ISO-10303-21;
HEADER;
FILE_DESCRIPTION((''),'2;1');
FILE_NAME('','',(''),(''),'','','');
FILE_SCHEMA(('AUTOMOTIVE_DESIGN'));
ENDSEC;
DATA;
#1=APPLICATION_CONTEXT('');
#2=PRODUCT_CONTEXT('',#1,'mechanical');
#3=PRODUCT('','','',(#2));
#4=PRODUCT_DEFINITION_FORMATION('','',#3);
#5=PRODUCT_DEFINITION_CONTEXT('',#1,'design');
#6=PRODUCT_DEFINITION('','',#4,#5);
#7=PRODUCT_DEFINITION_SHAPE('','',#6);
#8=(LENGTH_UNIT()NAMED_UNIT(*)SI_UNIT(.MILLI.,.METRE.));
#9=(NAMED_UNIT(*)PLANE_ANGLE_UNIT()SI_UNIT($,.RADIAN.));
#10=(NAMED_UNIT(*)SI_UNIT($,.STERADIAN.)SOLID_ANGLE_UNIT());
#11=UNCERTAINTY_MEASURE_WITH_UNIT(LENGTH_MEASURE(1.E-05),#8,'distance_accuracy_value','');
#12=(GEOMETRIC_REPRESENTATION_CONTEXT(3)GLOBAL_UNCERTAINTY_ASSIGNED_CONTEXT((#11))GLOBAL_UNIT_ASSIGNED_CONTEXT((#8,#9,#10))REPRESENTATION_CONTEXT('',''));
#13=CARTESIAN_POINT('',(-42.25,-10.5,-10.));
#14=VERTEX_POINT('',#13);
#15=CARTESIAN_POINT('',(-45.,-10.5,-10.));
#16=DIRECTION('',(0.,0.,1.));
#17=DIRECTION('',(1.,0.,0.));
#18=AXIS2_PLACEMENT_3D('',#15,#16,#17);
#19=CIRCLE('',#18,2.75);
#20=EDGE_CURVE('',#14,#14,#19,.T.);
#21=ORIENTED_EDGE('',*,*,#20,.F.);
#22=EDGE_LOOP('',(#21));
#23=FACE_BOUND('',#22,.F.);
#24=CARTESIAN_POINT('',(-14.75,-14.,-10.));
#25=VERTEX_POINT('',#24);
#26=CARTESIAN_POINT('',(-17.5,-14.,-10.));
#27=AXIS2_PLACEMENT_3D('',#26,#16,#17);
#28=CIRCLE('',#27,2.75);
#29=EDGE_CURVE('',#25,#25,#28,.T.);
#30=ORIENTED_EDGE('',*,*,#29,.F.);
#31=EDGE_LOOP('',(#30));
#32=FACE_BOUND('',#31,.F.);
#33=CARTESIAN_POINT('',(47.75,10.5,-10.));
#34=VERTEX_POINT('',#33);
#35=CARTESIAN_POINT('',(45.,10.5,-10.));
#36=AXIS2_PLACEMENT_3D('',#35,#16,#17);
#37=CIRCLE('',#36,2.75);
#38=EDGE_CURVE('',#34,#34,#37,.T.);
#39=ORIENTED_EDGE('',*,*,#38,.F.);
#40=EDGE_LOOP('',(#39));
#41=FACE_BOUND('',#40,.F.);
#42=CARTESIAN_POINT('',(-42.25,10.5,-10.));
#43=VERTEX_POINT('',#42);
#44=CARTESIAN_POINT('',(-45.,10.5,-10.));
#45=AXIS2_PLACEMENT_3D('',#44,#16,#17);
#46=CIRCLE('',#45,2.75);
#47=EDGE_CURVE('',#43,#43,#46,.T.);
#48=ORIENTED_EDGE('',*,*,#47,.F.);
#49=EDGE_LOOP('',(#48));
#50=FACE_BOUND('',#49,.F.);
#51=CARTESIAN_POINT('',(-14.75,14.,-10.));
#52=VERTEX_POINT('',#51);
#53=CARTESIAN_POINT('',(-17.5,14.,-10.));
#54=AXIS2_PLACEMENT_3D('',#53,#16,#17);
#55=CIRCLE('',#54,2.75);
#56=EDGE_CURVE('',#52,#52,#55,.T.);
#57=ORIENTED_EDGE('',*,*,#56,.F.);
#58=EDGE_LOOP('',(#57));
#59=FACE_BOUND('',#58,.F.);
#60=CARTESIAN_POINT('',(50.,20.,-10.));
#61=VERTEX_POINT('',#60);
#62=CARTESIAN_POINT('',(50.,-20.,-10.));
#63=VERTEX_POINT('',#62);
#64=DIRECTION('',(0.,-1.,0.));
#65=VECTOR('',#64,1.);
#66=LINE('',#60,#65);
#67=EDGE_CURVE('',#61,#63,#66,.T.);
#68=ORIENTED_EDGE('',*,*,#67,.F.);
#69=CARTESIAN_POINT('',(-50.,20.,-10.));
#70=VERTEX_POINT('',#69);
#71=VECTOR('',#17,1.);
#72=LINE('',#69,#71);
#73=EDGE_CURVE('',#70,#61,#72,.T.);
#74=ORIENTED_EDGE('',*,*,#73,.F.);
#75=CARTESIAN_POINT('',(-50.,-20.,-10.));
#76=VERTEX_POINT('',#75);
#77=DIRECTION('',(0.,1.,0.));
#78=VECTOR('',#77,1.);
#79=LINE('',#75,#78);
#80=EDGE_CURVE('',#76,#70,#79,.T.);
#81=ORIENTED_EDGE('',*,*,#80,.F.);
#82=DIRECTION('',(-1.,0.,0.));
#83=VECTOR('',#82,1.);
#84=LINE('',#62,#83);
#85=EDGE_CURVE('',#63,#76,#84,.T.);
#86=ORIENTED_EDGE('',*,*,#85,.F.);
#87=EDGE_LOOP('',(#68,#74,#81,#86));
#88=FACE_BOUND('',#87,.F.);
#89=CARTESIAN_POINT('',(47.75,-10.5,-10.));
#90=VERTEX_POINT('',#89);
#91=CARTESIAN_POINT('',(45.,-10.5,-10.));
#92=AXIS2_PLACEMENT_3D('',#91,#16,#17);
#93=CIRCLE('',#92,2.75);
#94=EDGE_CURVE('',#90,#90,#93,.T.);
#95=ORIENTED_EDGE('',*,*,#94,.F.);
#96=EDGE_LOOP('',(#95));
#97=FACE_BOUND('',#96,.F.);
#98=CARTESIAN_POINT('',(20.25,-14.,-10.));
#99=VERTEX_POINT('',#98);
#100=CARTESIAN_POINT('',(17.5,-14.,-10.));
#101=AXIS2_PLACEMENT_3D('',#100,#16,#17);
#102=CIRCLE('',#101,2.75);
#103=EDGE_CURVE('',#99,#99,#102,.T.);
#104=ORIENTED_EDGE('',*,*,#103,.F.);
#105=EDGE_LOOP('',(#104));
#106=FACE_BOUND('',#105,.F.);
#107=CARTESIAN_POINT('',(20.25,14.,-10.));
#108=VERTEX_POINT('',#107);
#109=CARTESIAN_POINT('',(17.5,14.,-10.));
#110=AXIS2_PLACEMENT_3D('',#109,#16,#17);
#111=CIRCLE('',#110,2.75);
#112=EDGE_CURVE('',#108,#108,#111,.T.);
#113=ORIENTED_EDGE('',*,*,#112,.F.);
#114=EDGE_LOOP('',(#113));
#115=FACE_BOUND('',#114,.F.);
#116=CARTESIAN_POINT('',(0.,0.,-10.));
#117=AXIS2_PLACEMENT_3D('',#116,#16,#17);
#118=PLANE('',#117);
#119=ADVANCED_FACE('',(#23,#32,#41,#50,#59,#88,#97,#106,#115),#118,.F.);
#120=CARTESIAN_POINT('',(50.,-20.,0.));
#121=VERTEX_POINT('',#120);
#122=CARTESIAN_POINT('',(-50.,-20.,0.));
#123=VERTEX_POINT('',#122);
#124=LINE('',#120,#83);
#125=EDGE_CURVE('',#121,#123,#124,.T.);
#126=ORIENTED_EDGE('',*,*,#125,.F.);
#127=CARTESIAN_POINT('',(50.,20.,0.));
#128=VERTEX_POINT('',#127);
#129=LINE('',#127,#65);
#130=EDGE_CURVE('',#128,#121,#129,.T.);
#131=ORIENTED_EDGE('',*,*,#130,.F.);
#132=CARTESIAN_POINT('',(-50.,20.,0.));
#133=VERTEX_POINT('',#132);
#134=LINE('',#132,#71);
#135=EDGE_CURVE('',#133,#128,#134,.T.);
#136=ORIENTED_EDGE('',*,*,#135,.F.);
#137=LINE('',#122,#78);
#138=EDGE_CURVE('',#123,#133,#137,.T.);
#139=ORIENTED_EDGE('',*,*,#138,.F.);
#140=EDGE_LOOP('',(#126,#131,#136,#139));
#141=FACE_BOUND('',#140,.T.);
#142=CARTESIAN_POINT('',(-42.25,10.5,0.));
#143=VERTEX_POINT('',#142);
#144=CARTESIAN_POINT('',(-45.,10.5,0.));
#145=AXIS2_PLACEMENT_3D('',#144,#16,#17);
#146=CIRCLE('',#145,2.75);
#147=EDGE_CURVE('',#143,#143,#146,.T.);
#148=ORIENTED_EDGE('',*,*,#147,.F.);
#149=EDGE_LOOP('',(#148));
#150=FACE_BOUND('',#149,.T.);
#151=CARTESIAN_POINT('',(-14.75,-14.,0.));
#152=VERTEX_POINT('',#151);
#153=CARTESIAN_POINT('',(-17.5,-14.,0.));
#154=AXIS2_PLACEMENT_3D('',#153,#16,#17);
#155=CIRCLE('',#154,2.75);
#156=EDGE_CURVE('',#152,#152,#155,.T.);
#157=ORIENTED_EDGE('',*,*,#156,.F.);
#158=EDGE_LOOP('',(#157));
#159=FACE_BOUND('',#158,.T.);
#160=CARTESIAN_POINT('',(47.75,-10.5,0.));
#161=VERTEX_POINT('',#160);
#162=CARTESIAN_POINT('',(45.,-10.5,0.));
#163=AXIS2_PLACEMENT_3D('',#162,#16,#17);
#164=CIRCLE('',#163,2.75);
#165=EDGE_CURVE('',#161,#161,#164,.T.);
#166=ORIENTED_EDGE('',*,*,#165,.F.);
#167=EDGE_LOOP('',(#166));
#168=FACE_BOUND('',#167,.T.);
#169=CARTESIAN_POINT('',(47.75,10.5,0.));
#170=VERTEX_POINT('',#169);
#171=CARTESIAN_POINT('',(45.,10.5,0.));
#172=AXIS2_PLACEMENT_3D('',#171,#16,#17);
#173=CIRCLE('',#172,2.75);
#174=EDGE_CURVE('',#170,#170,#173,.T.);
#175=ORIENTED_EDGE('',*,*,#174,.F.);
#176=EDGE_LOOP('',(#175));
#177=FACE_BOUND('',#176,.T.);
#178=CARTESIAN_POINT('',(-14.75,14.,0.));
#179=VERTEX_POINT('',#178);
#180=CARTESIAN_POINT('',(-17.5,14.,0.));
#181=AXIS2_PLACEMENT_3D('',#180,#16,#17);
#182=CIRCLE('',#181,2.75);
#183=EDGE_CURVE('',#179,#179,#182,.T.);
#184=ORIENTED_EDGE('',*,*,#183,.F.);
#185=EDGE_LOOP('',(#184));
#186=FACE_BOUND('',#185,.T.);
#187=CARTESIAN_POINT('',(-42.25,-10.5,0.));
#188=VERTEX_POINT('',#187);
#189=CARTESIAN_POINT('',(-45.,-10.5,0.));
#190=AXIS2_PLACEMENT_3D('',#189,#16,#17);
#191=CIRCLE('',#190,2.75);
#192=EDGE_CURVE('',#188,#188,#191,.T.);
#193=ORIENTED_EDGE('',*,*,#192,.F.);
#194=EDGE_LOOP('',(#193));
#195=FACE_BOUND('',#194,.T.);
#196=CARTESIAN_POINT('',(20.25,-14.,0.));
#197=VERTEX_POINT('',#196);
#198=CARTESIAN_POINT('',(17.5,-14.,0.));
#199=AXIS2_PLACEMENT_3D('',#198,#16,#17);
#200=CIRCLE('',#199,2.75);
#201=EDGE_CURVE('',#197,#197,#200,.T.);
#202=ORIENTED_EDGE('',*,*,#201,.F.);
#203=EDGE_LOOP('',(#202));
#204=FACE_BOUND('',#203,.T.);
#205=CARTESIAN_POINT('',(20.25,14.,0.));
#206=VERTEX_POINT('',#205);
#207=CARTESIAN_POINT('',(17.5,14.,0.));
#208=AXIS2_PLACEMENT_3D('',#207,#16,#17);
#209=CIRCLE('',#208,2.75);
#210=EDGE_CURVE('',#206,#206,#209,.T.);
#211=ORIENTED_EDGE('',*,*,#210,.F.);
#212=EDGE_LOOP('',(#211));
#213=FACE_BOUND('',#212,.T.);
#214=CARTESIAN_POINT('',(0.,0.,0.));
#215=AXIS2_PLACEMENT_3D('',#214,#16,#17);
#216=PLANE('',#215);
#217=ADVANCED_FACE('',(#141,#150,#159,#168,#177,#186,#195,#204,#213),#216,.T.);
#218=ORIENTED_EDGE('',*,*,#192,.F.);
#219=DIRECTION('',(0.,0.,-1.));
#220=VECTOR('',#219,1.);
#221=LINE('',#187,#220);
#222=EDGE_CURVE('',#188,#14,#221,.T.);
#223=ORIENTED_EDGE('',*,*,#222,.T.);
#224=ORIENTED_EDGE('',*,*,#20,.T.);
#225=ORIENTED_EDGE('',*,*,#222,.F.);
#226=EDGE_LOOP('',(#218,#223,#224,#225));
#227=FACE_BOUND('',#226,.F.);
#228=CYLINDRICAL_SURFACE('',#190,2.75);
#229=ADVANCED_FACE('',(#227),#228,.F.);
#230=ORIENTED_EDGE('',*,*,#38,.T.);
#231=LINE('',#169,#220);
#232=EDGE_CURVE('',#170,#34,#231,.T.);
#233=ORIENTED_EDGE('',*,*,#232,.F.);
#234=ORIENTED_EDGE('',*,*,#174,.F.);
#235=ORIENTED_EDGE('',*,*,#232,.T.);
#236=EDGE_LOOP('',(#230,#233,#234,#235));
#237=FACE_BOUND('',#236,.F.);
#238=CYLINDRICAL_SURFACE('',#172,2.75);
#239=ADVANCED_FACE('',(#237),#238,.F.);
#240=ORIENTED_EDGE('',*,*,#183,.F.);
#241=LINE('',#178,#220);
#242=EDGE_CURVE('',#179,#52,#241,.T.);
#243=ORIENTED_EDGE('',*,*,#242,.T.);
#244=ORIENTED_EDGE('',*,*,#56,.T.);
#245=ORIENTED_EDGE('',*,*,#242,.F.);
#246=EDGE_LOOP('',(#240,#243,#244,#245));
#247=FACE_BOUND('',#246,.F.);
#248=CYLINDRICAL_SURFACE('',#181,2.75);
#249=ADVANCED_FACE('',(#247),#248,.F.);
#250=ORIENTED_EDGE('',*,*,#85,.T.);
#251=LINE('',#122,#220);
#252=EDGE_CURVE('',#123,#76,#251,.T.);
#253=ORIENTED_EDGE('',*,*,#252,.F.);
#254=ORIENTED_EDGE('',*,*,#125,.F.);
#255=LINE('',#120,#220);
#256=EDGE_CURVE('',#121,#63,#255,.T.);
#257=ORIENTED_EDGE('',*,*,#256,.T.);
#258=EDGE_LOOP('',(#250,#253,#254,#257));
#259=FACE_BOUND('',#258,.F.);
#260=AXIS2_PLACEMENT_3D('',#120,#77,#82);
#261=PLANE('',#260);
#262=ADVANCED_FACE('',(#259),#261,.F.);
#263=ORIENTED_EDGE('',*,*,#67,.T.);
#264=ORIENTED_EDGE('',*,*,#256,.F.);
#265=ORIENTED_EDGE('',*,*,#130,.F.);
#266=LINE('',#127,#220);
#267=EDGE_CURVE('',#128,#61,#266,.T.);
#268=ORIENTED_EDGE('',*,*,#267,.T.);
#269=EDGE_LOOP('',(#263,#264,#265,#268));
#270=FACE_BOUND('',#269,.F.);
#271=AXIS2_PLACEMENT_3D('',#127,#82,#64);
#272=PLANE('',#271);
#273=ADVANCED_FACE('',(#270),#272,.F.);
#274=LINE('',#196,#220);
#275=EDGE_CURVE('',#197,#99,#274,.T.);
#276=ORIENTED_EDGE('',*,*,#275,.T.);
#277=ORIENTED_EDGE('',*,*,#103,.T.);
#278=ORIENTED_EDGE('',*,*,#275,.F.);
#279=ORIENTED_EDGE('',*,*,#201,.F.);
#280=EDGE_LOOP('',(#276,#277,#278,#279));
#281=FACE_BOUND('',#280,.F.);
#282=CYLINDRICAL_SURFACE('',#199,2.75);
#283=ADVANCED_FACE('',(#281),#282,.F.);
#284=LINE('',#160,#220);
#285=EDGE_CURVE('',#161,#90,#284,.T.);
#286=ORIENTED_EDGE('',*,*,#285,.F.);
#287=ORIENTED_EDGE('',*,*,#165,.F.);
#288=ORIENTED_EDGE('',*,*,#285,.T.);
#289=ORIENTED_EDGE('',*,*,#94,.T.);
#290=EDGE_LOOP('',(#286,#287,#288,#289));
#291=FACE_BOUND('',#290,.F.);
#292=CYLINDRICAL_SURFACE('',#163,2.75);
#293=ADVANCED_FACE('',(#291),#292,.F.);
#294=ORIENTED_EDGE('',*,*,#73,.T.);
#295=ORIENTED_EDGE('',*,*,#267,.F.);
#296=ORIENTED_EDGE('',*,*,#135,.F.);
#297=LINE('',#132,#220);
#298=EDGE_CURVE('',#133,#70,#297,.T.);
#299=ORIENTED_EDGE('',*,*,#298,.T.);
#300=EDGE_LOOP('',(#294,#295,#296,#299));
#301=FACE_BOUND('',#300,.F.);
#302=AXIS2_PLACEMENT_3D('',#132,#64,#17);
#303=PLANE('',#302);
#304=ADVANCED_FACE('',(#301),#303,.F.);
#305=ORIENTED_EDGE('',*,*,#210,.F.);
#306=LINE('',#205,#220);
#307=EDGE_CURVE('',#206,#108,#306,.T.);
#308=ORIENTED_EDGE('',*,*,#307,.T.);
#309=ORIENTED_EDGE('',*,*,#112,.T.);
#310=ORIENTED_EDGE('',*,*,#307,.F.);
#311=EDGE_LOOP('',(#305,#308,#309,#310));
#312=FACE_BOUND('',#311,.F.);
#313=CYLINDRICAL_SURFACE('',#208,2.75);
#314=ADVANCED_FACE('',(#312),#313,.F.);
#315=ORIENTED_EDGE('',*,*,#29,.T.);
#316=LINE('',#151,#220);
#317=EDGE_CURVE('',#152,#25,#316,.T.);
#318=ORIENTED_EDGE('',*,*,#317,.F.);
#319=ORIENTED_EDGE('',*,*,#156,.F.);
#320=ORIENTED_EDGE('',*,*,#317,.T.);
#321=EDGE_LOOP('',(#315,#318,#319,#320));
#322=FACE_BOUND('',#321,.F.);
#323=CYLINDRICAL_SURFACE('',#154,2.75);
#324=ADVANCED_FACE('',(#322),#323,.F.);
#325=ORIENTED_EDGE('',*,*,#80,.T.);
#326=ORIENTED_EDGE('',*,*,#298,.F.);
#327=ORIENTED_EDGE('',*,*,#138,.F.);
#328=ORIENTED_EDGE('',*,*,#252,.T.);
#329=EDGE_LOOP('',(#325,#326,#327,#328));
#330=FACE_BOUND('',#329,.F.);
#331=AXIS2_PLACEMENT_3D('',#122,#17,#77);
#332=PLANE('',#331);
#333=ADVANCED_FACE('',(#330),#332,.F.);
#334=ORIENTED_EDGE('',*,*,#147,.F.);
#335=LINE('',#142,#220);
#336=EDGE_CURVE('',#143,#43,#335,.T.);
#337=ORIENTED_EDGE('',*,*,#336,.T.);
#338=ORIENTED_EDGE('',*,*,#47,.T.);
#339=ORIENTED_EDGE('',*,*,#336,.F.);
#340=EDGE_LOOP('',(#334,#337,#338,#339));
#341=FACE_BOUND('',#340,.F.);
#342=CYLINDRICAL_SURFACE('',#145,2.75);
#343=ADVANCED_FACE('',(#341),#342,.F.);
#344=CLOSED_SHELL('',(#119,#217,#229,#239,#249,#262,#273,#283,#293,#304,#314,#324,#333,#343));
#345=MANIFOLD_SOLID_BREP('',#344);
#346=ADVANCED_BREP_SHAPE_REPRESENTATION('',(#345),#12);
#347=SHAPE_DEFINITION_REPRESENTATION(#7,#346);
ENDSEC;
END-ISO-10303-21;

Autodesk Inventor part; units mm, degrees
ref_plane "YZ Plane" through (0, 0, 0) normal (1, 0, 0) x (0, 1, 0)
ref_plane "XZ Plane" through (0, 0, 0) normal (0, 1, 0) x (-1, 0, 0)
ref_plane "XY Plane" through (0, 0, 0) normal (0, 0, 1) x (1, 0, 0)
sketch "Sketch1" plane through (0, 0, 0) normal (0, 0, 1) x (1, 0, 0)
  line L0 (-50, 20) -> (50, 20)
  line L1 (50, 20) -> (50, -20)
  line L2 (50, -20) -> (-50, -20)
  line L3 (-50, -20) -> (-50, 20)
  circle A0 centre (-45, 10.5) radius 2.75
  circle A1 centre (-45, -10.5) radius 2.75
  circle A2 centre (45, 10.5) radius 2.75
  circle A3 centre (45, -10.5) radius 2.75
  line L4 (-45, 10.5) -> (-45, -10.5) construction
  point P0 (0, 0)
  point P1 (-50, 0)
  point P2 (0, 20)
  point P3 (-45, 0)
  dimension "d0" = 40
  dimension "d1" = 100
  dimension "d2" = 5.5
  dimension "d3" = 5.5
  dimension "d4" = 5
  dimension "d7" = 5
  dimension "d10" = 90
  dimension "d29" = 21
sketch "Sketch2" plane through (0, 0, 0) normal (0, 0, 1) x (1, 0, 0)
  circle A0 centre (-17.5, 14) radius 2.75
  circle A1 centre (17.5, 14) radius 2.75
  line L0 (-17.5, 14) -> (17.5, 14) construction
  line L1 (0, 0) -> (0, 14) construction
  circle A2 centre (-17.5, -14) radius 2.75
  circle A3 centre (17.5, -14) radius 2.75
  dimension "d15" = 5.5
  dimension "d17" = 5.5
  dimension "d20" = 35
  dimension "d21" = 14
  dimension "d24" = 28
extrude "Extrusion1" add sketch "Sketch1" against normal blind 10
extrude "Extrusion2" cut sketch "Sketch2" against normal through all
properties part number "casterplate"
